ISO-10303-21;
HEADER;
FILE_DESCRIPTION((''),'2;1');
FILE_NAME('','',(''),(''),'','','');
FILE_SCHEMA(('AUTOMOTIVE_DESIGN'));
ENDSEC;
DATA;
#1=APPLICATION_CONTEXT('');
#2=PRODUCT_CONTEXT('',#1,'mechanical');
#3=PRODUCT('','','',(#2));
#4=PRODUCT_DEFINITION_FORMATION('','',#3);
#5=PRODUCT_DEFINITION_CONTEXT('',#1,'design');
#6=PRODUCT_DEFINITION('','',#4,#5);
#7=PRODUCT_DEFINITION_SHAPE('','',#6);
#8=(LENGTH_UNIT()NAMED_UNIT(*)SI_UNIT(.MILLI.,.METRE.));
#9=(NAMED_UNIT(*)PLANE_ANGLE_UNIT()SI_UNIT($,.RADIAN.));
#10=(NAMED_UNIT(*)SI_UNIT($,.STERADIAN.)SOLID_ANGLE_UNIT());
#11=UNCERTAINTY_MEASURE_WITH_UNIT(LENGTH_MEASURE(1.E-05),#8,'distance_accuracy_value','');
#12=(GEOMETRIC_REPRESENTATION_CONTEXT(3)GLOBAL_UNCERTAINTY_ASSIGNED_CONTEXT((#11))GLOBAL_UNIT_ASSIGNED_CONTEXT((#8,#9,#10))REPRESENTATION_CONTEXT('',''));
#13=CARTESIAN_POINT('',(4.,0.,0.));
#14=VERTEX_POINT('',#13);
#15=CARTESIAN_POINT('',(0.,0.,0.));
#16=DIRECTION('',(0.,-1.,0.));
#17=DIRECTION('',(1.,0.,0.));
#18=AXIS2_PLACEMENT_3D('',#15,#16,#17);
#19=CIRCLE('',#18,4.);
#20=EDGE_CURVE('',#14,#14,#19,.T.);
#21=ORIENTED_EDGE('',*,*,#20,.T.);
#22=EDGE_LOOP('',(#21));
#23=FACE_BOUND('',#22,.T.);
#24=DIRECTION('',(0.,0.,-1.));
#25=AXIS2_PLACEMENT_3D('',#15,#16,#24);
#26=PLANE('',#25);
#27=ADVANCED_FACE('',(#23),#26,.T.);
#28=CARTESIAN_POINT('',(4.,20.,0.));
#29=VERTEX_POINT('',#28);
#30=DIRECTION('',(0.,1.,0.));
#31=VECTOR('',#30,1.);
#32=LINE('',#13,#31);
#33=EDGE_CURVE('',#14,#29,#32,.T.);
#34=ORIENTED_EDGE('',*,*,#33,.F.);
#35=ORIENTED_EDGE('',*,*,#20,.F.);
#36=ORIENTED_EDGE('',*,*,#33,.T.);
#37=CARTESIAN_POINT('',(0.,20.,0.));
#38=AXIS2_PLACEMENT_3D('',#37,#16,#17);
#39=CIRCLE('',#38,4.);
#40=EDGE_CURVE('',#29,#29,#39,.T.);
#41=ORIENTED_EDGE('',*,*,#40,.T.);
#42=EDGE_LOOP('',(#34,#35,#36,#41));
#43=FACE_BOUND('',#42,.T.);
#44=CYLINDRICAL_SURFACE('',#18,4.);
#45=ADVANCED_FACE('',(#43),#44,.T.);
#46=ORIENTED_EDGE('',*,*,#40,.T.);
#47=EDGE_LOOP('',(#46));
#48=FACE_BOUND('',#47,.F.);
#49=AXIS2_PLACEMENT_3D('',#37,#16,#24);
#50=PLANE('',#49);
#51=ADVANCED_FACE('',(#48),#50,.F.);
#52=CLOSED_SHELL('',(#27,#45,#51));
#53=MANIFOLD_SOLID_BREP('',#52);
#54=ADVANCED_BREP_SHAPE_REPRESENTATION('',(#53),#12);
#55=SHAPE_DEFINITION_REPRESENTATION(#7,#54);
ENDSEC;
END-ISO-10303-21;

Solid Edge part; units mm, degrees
sketch "Sketch1" plane through (0, 0, 0) normal (0, -1, 0) x (1, 0, 0)
  circle A0 centre (0, 0) radius 4
extrude "Protrusion1" add sketch "Sketch1" against normal blind 20
